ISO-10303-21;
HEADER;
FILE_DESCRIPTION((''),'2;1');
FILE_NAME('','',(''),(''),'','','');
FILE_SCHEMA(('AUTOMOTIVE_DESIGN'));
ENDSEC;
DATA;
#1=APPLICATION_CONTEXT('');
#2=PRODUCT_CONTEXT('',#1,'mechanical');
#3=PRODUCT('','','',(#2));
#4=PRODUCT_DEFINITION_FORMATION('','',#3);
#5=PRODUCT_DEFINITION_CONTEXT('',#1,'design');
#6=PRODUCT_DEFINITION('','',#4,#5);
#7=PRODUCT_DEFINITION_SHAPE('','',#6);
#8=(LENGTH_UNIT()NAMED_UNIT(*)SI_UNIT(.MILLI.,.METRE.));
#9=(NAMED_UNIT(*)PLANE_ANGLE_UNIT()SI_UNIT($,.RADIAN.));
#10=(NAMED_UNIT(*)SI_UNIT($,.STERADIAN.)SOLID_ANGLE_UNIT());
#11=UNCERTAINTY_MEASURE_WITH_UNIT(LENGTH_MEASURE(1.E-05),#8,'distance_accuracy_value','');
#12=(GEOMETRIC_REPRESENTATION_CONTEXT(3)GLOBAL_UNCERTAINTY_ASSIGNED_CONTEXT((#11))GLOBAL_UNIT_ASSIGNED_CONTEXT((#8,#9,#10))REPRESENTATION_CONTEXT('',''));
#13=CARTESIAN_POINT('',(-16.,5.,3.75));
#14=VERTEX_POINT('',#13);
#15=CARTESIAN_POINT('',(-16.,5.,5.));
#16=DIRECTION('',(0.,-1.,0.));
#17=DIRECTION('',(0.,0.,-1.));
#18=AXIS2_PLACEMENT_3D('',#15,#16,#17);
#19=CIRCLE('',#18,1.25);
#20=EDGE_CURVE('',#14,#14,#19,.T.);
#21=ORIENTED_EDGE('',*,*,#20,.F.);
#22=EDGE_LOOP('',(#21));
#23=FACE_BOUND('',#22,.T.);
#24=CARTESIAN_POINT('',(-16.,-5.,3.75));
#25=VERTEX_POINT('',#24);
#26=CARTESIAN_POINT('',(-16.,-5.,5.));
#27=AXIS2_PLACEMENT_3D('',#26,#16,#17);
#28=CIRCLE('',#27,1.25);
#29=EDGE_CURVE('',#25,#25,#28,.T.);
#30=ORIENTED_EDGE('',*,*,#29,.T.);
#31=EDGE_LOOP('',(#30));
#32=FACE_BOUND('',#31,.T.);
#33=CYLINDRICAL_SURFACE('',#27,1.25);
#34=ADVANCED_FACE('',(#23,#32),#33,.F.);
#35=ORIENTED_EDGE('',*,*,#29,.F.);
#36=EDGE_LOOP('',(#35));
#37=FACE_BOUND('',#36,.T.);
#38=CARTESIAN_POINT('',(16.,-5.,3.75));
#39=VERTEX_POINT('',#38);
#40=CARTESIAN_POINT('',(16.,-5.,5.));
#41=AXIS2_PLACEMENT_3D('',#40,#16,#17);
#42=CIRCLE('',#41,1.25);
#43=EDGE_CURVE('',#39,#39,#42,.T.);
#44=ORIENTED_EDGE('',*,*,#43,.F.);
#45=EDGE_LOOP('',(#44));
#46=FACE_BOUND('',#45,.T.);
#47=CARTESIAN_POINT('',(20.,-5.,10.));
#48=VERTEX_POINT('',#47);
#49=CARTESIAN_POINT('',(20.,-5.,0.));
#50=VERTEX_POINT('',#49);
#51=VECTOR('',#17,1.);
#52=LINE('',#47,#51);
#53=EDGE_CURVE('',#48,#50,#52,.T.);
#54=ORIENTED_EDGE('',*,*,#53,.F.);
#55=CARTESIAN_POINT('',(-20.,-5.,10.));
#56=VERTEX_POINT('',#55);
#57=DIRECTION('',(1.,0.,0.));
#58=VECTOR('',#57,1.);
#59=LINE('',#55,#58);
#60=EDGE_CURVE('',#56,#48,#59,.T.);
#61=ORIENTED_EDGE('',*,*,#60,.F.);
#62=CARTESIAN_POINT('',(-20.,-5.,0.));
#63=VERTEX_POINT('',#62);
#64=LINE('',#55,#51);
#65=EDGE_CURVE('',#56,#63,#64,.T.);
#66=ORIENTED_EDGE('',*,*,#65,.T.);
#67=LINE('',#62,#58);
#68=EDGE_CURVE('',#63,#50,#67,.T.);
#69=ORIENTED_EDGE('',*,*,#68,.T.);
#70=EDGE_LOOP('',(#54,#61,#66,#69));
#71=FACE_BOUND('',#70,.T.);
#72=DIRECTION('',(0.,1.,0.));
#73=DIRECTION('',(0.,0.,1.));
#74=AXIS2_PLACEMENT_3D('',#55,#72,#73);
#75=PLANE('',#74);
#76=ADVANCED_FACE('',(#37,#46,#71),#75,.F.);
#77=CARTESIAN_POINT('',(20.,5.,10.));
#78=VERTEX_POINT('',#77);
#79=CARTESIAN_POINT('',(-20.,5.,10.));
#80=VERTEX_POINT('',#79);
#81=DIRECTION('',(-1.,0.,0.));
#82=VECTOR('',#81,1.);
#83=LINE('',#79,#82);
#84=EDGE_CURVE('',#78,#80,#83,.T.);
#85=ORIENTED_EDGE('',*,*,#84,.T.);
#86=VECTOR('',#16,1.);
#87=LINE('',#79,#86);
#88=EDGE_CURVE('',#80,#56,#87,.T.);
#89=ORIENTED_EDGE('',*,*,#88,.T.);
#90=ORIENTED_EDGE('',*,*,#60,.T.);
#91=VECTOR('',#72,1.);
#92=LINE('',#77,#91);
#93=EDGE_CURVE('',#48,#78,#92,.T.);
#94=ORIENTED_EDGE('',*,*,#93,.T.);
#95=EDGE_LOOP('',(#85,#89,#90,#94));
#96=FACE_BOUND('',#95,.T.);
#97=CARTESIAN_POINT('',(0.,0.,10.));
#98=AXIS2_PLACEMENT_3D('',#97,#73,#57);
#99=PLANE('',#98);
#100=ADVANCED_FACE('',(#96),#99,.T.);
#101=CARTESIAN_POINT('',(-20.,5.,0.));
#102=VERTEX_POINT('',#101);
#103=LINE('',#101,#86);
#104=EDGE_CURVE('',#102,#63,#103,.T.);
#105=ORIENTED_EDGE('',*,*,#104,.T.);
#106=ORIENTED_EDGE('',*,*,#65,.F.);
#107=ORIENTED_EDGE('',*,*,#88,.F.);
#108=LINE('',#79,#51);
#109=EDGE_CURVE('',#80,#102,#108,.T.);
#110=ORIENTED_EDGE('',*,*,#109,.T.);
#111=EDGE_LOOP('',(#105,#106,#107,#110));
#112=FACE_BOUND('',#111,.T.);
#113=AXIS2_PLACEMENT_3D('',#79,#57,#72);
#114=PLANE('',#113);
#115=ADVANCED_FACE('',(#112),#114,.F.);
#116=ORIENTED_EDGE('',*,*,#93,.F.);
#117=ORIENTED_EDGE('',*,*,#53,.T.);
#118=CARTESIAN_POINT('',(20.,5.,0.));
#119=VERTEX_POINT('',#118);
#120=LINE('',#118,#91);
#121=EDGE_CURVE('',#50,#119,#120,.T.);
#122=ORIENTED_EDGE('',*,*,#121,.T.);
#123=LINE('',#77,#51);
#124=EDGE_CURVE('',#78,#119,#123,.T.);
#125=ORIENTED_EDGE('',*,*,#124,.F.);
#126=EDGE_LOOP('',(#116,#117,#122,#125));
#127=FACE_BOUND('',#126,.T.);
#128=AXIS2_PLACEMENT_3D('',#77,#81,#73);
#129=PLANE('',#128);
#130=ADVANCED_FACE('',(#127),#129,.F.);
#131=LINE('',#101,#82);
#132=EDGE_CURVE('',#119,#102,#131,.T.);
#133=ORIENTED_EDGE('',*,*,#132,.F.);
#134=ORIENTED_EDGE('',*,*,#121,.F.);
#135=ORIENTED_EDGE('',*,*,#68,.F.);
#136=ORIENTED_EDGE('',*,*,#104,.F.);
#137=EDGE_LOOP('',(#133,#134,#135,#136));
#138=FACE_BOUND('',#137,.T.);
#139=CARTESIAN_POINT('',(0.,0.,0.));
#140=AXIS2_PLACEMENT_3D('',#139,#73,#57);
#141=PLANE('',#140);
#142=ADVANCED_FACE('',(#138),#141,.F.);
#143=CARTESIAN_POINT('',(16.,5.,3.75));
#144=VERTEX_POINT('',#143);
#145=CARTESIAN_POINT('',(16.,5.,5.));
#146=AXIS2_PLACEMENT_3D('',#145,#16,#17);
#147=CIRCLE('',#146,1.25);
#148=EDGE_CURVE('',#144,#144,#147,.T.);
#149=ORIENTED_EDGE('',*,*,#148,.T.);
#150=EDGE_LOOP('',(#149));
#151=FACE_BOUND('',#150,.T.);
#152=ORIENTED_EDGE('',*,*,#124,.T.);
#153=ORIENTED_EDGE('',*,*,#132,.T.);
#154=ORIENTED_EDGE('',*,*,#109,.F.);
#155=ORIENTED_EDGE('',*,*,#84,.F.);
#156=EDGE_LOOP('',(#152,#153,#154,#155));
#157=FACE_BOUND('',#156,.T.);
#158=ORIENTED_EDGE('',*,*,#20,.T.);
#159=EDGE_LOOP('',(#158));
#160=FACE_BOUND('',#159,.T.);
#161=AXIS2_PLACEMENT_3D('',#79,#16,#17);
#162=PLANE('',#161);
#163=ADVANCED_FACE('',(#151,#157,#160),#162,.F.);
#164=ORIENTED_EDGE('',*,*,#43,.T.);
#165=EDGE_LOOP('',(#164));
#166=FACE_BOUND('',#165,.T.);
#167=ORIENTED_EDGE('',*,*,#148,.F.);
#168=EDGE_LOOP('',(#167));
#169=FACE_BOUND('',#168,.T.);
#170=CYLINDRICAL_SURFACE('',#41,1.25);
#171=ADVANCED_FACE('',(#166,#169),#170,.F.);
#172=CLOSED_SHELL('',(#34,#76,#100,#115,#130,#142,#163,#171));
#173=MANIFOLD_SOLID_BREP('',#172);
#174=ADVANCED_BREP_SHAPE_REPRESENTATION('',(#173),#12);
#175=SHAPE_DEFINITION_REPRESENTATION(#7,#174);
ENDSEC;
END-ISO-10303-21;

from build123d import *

# Parameters (mm, degrees)
SKETCH1_W                   = 40
SKETCH1_H                   = 10
BOSS_EXTRUDE1_DEPTH         = 10
TAP_DRILL_FOR_M3X0_5_TAP1_D = 2.5


with BuildPart() as part:
    # Sketch1 → Boss-Extrude1 (new body)
    with BuildSketch(Plane.XY):
        Rectangle(SKETCH1_W, SKETCH1_H)
    extrude(amount=BOSS_EXTRUDE1_DEPTH)

    # Tap Drill for M3x0.5 Tap1 (through all)
    with Locations(Plane(origin=(0, -5, 0), x_dir=(-1, 0, 0), z_dir=(0, -1, 0))):
        with Locations((16, -5), (-16, -5)):
            Hole(TAP_DRILL_FOR_M3X0_5_TAP1_D / 2)


solid = part.part
